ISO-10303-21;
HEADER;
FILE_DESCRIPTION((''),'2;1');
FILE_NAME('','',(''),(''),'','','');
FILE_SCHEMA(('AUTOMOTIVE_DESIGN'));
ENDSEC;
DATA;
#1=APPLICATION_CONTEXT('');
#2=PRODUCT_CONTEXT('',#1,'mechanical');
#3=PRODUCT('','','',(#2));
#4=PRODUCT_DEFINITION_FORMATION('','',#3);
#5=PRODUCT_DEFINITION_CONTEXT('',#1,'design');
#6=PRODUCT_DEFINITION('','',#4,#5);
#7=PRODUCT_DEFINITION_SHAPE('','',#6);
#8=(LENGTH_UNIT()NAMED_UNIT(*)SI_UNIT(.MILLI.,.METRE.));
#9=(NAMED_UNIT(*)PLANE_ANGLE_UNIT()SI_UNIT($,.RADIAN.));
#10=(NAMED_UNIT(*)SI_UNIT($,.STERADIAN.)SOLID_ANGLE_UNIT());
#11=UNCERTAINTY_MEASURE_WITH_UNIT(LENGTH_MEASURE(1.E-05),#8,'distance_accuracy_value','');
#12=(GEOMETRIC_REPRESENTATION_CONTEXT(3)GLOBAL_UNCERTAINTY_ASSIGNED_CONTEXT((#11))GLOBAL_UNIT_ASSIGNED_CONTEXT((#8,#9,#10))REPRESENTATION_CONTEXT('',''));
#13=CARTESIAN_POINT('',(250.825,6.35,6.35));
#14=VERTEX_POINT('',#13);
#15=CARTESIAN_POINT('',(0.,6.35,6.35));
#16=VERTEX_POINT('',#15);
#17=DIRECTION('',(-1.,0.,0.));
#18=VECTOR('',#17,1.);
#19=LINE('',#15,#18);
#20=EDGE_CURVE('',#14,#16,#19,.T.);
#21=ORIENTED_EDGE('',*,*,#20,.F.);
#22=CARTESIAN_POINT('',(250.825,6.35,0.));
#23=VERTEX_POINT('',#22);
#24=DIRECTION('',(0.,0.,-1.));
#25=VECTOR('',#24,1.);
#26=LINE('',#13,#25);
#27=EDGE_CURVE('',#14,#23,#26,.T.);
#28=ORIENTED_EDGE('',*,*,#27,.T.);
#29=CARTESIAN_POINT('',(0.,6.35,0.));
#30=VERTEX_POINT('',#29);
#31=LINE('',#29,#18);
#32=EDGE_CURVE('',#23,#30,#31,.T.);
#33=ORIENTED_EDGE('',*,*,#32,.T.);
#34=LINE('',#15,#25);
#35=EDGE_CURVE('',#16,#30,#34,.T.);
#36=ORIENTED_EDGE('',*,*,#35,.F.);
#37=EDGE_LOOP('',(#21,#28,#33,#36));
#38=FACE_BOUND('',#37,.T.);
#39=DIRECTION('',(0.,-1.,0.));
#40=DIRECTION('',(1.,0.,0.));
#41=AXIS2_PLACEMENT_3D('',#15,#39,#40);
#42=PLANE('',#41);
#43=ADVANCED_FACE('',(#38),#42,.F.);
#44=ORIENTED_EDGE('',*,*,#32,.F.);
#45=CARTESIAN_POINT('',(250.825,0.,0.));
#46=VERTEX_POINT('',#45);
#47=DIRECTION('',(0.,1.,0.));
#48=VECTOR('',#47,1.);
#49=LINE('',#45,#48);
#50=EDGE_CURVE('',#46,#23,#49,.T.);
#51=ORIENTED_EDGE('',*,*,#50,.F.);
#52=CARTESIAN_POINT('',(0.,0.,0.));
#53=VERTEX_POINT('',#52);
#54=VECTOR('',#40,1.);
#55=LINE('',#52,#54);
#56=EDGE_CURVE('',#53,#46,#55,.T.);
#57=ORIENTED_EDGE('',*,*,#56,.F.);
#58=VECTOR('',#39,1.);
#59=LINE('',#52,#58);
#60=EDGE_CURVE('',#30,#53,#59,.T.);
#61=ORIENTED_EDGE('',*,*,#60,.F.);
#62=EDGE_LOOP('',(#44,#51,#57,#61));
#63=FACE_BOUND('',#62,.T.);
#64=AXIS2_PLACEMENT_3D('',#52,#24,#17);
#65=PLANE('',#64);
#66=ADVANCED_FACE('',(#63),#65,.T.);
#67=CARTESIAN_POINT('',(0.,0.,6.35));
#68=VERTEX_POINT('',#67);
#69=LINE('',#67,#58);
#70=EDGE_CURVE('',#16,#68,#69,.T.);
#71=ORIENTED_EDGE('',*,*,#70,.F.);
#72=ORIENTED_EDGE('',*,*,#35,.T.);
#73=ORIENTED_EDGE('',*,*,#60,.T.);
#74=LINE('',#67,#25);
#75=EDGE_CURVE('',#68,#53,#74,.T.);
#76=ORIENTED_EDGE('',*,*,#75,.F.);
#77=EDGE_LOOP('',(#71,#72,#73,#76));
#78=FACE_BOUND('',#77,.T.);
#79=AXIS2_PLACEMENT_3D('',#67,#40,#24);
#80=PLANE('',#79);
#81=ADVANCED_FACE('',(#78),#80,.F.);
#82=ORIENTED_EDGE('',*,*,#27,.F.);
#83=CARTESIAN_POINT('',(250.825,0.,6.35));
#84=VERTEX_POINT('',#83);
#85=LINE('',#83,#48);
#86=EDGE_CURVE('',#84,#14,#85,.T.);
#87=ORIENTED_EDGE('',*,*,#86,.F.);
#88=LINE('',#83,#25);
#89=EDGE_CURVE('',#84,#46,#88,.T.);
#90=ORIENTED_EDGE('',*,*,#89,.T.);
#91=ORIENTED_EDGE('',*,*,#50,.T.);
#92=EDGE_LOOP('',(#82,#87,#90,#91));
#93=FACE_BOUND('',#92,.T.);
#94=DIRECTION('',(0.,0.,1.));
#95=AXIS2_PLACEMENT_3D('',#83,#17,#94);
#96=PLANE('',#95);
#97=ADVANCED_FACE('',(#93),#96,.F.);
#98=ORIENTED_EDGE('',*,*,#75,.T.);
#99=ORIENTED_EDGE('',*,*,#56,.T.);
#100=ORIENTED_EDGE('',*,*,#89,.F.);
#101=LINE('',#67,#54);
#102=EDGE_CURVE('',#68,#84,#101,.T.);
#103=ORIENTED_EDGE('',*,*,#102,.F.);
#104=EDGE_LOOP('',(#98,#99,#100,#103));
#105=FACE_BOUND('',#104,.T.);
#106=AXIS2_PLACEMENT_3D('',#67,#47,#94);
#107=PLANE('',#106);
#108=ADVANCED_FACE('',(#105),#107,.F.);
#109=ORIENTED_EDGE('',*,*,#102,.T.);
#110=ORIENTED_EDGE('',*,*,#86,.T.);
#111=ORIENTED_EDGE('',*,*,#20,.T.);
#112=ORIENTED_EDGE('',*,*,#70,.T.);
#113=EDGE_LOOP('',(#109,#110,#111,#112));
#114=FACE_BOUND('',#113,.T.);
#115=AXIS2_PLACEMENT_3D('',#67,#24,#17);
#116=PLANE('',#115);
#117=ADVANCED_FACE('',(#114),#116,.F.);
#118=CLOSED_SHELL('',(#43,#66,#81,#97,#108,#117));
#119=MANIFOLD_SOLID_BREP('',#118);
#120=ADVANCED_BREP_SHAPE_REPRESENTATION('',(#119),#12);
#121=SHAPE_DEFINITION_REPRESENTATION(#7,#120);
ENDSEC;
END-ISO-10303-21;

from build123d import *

# Parameters (mm, degrees)
SKETCH1_W      = 250.825
SKETCH1_H      = 6.35
EXTRUDE1_DEPTH = 6.35


with BuildPart() as part:
    # Sketch1 → Extrude1 (new body)
    with BuildSketch(Plane.XY):
        with Locations((125.4125, 3.175)):
            Rectangle(SKETCH1_W, SKETCH1_H)
    extrude(amount=EXTRUDE1_DEPTH)


solid = part.part
